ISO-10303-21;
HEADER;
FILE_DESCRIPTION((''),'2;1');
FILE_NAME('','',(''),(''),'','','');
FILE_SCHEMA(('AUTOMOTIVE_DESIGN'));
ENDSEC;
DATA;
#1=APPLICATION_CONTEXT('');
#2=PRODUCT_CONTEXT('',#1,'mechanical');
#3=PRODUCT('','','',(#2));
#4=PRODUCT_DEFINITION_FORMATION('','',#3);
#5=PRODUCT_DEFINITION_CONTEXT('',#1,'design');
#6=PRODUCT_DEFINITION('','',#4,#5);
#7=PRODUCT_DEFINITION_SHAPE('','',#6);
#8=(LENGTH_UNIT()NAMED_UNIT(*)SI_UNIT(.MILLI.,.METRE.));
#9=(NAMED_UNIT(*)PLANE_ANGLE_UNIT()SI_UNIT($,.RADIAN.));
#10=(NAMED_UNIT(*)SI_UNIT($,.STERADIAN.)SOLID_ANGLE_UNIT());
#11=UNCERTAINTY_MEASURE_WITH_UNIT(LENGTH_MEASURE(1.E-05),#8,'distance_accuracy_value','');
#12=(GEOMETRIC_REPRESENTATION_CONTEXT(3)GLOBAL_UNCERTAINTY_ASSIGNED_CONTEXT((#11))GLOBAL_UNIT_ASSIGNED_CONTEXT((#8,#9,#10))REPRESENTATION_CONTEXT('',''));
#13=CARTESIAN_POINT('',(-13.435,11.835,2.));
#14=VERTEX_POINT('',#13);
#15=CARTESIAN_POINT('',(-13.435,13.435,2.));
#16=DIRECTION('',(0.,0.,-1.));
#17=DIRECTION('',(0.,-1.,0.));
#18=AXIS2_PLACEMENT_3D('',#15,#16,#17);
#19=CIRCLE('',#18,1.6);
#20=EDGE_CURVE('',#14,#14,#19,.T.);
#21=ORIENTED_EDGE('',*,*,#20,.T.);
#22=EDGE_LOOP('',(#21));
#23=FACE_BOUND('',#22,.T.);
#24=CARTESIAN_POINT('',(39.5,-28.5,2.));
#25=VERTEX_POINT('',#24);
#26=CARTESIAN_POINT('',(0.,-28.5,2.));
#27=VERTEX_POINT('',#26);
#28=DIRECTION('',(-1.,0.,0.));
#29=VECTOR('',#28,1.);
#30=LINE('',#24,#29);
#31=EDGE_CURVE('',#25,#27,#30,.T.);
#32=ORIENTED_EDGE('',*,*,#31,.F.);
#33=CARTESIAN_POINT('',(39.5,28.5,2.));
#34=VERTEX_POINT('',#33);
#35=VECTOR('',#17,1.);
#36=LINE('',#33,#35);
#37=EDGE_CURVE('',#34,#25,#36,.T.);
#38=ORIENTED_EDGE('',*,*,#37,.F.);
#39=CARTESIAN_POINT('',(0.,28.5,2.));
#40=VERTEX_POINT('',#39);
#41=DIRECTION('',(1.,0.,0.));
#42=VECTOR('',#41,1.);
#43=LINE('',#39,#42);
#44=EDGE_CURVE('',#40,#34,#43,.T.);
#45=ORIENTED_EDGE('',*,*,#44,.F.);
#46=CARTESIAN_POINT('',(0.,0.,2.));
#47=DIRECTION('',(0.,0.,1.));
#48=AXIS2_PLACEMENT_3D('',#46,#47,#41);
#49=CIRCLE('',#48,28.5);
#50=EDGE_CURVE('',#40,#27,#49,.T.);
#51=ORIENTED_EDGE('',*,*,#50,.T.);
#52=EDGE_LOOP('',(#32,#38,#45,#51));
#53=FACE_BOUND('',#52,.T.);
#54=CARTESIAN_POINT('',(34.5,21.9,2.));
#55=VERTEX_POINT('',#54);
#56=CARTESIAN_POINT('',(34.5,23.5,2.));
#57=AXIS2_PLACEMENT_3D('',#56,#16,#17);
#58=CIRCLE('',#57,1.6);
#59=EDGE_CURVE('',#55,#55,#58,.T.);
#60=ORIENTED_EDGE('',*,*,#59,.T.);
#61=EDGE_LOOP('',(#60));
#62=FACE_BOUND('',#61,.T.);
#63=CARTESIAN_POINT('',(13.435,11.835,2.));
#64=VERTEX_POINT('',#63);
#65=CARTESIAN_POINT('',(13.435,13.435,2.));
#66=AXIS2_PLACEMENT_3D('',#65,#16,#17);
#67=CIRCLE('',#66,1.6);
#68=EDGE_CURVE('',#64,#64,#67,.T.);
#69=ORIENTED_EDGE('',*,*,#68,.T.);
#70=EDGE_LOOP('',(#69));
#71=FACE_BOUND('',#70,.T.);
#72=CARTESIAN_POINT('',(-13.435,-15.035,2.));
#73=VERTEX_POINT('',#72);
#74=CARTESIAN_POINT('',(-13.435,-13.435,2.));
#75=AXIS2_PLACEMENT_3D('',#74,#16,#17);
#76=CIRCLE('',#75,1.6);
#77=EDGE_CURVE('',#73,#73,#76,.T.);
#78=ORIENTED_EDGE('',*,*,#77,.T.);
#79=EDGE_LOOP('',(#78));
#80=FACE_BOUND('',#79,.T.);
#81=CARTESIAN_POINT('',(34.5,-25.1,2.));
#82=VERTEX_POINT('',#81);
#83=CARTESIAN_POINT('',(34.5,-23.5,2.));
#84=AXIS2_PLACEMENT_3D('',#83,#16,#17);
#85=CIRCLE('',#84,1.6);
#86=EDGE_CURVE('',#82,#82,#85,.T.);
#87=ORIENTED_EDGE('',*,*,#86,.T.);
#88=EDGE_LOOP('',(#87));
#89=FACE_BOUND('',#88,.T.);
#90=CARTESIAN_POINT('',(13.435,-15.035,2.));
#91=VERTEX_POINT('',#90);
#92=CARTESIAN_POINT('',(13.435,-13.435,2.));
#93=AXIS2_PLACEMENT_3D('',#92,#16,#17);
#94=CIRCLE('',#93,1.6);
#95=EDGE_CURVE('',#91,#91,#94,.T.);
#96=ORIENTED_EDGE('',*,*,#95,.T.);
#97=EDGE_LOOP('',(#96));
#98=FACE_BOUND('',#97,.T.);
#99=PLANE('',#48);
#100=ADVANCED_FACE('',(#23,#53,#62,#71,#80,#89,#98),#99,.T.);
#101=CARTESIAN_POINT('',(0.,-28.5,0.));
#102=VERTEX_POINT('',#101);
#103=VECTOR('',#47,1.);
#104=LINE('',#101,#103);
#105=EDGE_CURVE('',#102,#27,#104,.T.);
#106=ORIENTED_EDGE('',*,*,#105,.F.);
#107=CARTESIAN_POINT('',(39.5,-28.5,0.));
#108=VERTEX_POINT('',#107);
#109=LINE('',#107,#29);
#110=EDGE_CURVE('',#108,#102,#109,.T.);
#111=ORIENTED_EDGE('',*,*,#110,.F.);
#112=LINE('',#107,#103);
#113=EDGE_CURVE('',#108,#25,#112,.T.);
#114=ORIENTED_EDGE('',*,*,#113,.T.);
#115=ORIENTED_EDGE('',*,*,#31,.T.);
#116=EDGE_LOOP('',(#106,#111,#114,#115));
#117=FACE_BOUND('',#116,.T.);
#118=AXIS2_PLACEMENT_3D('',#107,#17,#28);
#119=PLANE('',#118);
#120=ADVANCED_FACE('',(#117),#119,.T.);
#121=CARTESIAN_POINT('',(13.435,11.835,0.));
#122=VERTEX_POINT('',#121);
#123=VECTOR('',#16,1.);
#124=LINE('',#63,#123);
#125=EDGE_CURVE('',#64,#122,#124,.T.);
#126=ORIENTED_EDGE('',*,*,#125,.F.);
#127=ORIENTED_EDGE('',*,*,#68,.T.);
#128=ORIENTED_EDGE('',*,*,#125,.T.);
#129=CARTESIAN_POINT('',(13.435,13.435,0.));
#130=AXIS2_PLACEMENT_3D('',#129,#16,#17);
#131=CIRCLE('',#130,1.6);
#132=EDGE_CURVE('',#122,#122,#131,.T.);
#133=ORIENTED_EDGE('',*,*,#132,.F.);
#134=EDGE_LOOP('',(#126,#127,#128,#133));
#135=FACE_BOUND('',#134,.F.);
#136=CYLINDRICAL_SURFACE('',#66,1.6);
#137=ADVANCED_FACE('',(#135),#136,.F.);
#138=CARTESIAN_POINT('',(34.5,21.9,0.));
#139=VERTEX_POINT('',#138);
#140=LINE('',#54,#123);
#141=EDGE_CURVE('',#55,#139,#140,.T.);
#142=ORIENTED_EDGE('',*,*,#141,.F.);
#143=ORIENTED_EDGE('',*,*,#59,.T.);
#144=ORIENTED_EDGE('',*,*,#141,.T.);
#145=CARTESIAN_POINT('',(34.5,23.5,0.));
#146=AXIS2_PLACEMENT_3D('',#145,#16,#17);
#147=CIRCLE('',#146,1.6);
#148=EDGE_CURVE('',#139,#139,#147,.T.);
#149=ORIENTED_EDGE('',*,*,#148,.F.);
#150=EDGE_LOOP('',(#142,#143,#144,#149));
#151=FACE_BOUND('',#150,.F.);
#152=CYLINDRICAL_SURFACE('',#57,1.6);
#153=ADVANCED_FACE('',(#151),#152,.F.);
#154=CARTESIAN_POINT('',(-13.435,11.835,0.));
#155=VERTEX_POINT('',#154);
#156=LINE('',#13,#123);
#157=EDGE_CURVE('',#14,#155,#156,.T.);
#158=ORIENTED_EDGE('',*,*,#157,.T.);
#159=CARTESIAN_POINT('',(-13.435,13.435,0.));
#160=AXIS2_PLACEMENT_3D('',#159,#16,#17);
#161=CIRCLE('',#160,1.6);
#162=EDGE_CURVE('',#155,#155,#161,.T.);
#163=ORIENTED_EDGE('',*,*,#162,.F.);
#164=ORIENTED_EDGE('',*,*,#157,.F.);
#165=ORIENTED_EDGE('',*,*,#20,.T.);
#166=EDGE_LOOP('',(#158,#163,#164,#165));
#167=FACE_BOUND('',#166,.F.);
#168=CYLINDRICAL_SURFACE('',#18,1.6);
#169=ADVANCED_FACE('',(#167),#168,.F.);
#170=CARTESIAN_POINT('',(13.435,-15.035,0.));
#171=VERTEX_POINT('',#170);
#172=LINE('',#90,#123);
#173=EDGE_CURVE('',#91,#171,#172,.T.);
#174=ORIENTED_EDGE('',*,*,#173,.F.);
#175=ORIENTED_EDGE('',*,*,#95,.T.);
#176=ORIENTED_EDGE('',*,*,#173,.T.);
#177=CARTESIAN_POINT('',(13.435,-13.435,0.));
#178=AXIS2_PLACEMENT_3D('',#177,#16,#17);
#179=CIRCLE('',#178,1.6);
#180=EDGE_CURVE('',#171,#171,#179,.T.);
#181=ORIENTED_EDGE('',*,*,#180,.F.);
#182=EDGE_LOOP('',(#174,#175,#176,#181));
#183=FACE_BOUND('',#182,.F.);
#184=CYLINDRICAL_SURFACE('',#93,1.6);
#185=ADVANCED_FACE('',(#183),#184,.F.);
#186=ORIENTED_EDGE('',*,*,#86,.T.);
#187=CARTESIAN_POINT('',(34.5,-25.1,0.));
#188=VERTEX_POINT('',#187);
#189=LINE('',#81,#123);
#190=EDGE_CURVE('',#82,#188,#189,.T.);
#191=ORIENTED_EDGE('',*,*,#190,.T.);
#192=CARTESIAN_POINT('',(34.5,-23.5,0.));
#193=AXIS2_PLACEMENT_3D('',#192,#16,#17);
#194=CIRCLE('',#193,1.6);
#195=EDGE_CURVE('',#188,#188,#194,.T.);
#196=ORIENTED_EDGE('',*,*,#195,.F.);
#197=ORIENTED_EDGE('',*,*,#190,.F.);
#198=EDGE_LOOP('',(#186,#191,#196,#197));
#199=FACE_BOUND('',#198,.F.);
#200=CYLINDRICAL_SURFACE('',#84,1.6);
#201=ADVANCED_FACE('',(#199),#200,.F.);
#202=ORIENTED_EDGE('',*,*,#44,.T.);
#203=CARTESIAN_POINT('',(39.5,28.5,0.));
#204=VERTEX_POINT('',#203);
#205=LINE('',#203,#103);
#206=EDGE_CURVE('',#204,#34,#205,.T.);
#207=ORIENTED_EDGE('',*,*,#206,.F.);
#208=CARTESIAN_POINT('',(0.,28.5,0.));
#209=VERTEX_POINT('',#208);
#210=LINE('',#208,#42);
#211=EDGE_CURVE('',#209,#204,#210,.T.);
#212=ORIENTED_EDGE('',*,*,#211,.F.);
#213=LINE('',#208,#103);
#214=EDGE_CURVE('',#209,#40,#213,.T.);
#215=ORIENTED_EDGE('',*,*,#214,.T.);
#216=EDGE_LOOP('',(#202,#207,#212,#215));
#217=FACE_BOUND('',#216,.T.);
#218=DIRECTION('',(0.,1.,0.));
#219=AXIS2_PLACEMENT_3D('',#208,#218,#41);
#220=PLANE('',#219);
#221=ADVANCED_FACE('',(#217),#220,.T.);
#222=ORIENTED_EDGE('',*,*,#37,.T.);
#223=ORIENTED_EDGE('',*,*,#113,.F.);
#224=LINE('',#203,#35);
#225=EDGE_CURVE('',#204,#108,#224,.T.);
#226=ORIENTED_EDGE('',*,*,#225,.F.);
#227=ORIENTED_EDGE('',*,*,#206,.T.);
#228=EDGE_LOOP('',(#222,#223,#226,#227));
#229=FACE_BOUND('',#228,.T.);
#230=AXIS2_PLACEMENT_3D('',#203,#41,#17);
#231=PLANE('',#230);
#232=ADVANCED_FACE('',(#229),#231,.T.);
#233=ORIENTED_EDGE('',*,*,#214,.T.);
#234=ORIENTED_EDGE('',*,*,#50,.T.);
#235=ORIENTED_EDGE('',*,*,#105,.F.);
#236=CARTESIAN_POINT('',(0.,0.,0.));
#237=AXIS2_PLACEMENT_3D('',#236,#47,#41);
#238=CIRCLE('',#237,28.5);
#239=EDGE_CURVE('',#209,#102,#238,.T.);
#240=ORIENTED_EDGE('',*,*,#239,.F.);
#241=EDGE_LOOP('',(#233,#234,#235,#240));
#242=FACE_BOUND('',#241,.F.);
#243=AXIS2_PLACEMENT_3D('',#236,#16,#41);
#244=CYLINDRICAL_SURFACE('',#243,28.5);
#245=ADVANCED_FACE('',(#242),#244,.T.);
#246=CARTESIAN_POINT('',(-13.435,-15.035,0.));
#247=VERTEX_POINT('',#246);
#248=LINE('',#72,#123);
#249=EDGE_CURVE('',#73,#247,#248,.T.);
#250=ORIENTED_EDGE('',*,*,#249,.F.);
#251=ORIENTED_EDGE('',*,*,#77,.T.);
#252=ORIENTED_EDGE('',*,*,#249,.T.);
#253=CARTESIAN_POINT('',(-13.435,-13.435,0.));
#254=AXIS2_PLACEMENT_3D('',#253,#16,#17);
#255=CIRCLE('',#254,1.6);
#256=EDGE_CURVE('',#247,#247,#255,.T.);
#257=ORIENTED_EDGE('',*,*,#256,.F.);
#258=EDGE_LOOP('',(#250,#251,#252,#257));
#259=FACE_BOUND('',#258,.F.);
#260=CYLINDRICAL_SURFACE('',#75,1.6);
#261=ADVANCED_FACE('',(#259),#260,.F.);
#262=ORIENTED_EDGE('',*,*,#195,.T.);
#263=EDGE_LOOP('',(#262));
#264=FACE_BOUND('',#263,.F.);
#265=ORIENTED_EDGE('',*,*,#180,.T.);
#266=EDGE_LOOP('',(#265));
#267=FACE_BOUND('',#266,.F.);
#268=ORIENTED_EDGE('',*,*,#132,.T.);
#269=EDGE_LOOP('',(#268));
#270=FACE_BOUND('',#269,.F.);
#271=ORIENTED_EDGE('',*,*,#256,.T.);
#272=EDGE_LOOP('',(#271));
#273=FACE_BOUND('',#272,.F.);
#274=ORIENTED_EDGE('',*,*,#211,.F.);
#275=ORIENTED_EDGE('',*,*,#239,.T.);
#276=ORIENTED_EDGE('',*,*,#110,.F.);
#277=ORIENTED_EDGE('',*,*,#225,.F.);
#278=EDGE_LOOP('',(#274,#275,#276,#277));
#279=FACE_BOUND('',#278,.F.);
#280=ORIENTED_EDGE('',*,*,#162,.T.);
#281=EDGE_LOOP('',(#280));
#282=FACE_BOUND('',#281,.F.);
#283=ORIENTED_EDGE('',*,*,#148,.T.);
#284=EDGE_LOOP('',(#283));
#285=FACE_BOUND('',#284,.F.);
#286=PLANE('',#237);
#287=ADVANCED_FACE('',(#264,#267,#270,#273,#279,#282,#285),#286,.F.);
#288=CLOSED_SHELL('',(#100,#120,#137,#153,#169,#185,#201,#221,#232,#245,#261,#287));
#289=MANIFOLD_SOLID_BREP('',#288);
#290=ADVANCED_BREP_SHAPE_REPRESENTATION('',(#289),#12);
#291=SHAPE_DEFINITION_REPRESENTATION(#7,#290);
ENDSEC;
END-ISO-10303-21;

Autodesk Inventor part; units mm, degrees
ref_plane "YZ Plane" through (0, 0, 0) normal (1, 0, 0) x (0, 1, 0)
ref_plane "XZ Plane" through (0, 0, 0) normal (0, 1, 0) x (-1, 0, 0)
ref_plane "XY Plane" through (0, 0, 0) normal (0, 0, 1) x (1, 0, 0)
sketch "スケッチ1" plane through (0, 0, 0) normal (0, 0, 1) x (1, 0, 0)
  circle A0 centre (0, 0) radius 28.5
  line L0 (0, 28.5) -> (39.5, 28.5)
  line L1 (39.5, 28.5) -> (39.5, -28.5)
  line L2 (39.5, -28.5) -> (0, -28.5)
  line L3 (0, -28.5) -> (0, 28.5)
  point P0 (28.5, 0)
  dimension "d0" = 57
  dimension "d19" = 39.5
extrude "押し出し1" add sketch "スケッチ1" along normal blind 2
sketch "スケッチ3" plane through (0, 0, 2) normal (0, 0, 1) x (1, 0, 0)
  circle A0 centre (0, 0) radius 19
  line L0 (0, 0) -> (13.435, -13.435)
  line L1 (0, 0) -> (19, 0) construction
  line L2 (39.5, 28.5) -> (0, 28.5) projected
  line L3 (34.5, 28.5) -> (34.5, -28.5)
  line L4 (0, -28.5) -> (39.5, -28.5) projected
  line L5 (39.5, -28.5) -> (39.5, 28.5) projected
  point P0 (13.435, 13.435)
  point P1 (-13.435, 13.435)
  point P2 (-13.435, -13.435)
  point P3 (34.5, 23.5)
  point P4 (34.5, -23.5)
  dimension "d22" = 38
  dimension "d23" = 45
  dimension "d26" = 360
  dimension "d28" = 5
  dimension "d29" = 5
  dimension "d37" = 5
hole "穴2" at (13.435, -13.435, 2) at (13.435, 13.435, 2) at (-13.435, 13.435, 2) at (-13.435, -13.435, 2) at (34.5, 23.5, 2) at (34.5, -23.5, 2) direction (0, 0, -1) diameter 3.2 end through all
properties part number "link4_plate2" material "アルミニウム 6061"
